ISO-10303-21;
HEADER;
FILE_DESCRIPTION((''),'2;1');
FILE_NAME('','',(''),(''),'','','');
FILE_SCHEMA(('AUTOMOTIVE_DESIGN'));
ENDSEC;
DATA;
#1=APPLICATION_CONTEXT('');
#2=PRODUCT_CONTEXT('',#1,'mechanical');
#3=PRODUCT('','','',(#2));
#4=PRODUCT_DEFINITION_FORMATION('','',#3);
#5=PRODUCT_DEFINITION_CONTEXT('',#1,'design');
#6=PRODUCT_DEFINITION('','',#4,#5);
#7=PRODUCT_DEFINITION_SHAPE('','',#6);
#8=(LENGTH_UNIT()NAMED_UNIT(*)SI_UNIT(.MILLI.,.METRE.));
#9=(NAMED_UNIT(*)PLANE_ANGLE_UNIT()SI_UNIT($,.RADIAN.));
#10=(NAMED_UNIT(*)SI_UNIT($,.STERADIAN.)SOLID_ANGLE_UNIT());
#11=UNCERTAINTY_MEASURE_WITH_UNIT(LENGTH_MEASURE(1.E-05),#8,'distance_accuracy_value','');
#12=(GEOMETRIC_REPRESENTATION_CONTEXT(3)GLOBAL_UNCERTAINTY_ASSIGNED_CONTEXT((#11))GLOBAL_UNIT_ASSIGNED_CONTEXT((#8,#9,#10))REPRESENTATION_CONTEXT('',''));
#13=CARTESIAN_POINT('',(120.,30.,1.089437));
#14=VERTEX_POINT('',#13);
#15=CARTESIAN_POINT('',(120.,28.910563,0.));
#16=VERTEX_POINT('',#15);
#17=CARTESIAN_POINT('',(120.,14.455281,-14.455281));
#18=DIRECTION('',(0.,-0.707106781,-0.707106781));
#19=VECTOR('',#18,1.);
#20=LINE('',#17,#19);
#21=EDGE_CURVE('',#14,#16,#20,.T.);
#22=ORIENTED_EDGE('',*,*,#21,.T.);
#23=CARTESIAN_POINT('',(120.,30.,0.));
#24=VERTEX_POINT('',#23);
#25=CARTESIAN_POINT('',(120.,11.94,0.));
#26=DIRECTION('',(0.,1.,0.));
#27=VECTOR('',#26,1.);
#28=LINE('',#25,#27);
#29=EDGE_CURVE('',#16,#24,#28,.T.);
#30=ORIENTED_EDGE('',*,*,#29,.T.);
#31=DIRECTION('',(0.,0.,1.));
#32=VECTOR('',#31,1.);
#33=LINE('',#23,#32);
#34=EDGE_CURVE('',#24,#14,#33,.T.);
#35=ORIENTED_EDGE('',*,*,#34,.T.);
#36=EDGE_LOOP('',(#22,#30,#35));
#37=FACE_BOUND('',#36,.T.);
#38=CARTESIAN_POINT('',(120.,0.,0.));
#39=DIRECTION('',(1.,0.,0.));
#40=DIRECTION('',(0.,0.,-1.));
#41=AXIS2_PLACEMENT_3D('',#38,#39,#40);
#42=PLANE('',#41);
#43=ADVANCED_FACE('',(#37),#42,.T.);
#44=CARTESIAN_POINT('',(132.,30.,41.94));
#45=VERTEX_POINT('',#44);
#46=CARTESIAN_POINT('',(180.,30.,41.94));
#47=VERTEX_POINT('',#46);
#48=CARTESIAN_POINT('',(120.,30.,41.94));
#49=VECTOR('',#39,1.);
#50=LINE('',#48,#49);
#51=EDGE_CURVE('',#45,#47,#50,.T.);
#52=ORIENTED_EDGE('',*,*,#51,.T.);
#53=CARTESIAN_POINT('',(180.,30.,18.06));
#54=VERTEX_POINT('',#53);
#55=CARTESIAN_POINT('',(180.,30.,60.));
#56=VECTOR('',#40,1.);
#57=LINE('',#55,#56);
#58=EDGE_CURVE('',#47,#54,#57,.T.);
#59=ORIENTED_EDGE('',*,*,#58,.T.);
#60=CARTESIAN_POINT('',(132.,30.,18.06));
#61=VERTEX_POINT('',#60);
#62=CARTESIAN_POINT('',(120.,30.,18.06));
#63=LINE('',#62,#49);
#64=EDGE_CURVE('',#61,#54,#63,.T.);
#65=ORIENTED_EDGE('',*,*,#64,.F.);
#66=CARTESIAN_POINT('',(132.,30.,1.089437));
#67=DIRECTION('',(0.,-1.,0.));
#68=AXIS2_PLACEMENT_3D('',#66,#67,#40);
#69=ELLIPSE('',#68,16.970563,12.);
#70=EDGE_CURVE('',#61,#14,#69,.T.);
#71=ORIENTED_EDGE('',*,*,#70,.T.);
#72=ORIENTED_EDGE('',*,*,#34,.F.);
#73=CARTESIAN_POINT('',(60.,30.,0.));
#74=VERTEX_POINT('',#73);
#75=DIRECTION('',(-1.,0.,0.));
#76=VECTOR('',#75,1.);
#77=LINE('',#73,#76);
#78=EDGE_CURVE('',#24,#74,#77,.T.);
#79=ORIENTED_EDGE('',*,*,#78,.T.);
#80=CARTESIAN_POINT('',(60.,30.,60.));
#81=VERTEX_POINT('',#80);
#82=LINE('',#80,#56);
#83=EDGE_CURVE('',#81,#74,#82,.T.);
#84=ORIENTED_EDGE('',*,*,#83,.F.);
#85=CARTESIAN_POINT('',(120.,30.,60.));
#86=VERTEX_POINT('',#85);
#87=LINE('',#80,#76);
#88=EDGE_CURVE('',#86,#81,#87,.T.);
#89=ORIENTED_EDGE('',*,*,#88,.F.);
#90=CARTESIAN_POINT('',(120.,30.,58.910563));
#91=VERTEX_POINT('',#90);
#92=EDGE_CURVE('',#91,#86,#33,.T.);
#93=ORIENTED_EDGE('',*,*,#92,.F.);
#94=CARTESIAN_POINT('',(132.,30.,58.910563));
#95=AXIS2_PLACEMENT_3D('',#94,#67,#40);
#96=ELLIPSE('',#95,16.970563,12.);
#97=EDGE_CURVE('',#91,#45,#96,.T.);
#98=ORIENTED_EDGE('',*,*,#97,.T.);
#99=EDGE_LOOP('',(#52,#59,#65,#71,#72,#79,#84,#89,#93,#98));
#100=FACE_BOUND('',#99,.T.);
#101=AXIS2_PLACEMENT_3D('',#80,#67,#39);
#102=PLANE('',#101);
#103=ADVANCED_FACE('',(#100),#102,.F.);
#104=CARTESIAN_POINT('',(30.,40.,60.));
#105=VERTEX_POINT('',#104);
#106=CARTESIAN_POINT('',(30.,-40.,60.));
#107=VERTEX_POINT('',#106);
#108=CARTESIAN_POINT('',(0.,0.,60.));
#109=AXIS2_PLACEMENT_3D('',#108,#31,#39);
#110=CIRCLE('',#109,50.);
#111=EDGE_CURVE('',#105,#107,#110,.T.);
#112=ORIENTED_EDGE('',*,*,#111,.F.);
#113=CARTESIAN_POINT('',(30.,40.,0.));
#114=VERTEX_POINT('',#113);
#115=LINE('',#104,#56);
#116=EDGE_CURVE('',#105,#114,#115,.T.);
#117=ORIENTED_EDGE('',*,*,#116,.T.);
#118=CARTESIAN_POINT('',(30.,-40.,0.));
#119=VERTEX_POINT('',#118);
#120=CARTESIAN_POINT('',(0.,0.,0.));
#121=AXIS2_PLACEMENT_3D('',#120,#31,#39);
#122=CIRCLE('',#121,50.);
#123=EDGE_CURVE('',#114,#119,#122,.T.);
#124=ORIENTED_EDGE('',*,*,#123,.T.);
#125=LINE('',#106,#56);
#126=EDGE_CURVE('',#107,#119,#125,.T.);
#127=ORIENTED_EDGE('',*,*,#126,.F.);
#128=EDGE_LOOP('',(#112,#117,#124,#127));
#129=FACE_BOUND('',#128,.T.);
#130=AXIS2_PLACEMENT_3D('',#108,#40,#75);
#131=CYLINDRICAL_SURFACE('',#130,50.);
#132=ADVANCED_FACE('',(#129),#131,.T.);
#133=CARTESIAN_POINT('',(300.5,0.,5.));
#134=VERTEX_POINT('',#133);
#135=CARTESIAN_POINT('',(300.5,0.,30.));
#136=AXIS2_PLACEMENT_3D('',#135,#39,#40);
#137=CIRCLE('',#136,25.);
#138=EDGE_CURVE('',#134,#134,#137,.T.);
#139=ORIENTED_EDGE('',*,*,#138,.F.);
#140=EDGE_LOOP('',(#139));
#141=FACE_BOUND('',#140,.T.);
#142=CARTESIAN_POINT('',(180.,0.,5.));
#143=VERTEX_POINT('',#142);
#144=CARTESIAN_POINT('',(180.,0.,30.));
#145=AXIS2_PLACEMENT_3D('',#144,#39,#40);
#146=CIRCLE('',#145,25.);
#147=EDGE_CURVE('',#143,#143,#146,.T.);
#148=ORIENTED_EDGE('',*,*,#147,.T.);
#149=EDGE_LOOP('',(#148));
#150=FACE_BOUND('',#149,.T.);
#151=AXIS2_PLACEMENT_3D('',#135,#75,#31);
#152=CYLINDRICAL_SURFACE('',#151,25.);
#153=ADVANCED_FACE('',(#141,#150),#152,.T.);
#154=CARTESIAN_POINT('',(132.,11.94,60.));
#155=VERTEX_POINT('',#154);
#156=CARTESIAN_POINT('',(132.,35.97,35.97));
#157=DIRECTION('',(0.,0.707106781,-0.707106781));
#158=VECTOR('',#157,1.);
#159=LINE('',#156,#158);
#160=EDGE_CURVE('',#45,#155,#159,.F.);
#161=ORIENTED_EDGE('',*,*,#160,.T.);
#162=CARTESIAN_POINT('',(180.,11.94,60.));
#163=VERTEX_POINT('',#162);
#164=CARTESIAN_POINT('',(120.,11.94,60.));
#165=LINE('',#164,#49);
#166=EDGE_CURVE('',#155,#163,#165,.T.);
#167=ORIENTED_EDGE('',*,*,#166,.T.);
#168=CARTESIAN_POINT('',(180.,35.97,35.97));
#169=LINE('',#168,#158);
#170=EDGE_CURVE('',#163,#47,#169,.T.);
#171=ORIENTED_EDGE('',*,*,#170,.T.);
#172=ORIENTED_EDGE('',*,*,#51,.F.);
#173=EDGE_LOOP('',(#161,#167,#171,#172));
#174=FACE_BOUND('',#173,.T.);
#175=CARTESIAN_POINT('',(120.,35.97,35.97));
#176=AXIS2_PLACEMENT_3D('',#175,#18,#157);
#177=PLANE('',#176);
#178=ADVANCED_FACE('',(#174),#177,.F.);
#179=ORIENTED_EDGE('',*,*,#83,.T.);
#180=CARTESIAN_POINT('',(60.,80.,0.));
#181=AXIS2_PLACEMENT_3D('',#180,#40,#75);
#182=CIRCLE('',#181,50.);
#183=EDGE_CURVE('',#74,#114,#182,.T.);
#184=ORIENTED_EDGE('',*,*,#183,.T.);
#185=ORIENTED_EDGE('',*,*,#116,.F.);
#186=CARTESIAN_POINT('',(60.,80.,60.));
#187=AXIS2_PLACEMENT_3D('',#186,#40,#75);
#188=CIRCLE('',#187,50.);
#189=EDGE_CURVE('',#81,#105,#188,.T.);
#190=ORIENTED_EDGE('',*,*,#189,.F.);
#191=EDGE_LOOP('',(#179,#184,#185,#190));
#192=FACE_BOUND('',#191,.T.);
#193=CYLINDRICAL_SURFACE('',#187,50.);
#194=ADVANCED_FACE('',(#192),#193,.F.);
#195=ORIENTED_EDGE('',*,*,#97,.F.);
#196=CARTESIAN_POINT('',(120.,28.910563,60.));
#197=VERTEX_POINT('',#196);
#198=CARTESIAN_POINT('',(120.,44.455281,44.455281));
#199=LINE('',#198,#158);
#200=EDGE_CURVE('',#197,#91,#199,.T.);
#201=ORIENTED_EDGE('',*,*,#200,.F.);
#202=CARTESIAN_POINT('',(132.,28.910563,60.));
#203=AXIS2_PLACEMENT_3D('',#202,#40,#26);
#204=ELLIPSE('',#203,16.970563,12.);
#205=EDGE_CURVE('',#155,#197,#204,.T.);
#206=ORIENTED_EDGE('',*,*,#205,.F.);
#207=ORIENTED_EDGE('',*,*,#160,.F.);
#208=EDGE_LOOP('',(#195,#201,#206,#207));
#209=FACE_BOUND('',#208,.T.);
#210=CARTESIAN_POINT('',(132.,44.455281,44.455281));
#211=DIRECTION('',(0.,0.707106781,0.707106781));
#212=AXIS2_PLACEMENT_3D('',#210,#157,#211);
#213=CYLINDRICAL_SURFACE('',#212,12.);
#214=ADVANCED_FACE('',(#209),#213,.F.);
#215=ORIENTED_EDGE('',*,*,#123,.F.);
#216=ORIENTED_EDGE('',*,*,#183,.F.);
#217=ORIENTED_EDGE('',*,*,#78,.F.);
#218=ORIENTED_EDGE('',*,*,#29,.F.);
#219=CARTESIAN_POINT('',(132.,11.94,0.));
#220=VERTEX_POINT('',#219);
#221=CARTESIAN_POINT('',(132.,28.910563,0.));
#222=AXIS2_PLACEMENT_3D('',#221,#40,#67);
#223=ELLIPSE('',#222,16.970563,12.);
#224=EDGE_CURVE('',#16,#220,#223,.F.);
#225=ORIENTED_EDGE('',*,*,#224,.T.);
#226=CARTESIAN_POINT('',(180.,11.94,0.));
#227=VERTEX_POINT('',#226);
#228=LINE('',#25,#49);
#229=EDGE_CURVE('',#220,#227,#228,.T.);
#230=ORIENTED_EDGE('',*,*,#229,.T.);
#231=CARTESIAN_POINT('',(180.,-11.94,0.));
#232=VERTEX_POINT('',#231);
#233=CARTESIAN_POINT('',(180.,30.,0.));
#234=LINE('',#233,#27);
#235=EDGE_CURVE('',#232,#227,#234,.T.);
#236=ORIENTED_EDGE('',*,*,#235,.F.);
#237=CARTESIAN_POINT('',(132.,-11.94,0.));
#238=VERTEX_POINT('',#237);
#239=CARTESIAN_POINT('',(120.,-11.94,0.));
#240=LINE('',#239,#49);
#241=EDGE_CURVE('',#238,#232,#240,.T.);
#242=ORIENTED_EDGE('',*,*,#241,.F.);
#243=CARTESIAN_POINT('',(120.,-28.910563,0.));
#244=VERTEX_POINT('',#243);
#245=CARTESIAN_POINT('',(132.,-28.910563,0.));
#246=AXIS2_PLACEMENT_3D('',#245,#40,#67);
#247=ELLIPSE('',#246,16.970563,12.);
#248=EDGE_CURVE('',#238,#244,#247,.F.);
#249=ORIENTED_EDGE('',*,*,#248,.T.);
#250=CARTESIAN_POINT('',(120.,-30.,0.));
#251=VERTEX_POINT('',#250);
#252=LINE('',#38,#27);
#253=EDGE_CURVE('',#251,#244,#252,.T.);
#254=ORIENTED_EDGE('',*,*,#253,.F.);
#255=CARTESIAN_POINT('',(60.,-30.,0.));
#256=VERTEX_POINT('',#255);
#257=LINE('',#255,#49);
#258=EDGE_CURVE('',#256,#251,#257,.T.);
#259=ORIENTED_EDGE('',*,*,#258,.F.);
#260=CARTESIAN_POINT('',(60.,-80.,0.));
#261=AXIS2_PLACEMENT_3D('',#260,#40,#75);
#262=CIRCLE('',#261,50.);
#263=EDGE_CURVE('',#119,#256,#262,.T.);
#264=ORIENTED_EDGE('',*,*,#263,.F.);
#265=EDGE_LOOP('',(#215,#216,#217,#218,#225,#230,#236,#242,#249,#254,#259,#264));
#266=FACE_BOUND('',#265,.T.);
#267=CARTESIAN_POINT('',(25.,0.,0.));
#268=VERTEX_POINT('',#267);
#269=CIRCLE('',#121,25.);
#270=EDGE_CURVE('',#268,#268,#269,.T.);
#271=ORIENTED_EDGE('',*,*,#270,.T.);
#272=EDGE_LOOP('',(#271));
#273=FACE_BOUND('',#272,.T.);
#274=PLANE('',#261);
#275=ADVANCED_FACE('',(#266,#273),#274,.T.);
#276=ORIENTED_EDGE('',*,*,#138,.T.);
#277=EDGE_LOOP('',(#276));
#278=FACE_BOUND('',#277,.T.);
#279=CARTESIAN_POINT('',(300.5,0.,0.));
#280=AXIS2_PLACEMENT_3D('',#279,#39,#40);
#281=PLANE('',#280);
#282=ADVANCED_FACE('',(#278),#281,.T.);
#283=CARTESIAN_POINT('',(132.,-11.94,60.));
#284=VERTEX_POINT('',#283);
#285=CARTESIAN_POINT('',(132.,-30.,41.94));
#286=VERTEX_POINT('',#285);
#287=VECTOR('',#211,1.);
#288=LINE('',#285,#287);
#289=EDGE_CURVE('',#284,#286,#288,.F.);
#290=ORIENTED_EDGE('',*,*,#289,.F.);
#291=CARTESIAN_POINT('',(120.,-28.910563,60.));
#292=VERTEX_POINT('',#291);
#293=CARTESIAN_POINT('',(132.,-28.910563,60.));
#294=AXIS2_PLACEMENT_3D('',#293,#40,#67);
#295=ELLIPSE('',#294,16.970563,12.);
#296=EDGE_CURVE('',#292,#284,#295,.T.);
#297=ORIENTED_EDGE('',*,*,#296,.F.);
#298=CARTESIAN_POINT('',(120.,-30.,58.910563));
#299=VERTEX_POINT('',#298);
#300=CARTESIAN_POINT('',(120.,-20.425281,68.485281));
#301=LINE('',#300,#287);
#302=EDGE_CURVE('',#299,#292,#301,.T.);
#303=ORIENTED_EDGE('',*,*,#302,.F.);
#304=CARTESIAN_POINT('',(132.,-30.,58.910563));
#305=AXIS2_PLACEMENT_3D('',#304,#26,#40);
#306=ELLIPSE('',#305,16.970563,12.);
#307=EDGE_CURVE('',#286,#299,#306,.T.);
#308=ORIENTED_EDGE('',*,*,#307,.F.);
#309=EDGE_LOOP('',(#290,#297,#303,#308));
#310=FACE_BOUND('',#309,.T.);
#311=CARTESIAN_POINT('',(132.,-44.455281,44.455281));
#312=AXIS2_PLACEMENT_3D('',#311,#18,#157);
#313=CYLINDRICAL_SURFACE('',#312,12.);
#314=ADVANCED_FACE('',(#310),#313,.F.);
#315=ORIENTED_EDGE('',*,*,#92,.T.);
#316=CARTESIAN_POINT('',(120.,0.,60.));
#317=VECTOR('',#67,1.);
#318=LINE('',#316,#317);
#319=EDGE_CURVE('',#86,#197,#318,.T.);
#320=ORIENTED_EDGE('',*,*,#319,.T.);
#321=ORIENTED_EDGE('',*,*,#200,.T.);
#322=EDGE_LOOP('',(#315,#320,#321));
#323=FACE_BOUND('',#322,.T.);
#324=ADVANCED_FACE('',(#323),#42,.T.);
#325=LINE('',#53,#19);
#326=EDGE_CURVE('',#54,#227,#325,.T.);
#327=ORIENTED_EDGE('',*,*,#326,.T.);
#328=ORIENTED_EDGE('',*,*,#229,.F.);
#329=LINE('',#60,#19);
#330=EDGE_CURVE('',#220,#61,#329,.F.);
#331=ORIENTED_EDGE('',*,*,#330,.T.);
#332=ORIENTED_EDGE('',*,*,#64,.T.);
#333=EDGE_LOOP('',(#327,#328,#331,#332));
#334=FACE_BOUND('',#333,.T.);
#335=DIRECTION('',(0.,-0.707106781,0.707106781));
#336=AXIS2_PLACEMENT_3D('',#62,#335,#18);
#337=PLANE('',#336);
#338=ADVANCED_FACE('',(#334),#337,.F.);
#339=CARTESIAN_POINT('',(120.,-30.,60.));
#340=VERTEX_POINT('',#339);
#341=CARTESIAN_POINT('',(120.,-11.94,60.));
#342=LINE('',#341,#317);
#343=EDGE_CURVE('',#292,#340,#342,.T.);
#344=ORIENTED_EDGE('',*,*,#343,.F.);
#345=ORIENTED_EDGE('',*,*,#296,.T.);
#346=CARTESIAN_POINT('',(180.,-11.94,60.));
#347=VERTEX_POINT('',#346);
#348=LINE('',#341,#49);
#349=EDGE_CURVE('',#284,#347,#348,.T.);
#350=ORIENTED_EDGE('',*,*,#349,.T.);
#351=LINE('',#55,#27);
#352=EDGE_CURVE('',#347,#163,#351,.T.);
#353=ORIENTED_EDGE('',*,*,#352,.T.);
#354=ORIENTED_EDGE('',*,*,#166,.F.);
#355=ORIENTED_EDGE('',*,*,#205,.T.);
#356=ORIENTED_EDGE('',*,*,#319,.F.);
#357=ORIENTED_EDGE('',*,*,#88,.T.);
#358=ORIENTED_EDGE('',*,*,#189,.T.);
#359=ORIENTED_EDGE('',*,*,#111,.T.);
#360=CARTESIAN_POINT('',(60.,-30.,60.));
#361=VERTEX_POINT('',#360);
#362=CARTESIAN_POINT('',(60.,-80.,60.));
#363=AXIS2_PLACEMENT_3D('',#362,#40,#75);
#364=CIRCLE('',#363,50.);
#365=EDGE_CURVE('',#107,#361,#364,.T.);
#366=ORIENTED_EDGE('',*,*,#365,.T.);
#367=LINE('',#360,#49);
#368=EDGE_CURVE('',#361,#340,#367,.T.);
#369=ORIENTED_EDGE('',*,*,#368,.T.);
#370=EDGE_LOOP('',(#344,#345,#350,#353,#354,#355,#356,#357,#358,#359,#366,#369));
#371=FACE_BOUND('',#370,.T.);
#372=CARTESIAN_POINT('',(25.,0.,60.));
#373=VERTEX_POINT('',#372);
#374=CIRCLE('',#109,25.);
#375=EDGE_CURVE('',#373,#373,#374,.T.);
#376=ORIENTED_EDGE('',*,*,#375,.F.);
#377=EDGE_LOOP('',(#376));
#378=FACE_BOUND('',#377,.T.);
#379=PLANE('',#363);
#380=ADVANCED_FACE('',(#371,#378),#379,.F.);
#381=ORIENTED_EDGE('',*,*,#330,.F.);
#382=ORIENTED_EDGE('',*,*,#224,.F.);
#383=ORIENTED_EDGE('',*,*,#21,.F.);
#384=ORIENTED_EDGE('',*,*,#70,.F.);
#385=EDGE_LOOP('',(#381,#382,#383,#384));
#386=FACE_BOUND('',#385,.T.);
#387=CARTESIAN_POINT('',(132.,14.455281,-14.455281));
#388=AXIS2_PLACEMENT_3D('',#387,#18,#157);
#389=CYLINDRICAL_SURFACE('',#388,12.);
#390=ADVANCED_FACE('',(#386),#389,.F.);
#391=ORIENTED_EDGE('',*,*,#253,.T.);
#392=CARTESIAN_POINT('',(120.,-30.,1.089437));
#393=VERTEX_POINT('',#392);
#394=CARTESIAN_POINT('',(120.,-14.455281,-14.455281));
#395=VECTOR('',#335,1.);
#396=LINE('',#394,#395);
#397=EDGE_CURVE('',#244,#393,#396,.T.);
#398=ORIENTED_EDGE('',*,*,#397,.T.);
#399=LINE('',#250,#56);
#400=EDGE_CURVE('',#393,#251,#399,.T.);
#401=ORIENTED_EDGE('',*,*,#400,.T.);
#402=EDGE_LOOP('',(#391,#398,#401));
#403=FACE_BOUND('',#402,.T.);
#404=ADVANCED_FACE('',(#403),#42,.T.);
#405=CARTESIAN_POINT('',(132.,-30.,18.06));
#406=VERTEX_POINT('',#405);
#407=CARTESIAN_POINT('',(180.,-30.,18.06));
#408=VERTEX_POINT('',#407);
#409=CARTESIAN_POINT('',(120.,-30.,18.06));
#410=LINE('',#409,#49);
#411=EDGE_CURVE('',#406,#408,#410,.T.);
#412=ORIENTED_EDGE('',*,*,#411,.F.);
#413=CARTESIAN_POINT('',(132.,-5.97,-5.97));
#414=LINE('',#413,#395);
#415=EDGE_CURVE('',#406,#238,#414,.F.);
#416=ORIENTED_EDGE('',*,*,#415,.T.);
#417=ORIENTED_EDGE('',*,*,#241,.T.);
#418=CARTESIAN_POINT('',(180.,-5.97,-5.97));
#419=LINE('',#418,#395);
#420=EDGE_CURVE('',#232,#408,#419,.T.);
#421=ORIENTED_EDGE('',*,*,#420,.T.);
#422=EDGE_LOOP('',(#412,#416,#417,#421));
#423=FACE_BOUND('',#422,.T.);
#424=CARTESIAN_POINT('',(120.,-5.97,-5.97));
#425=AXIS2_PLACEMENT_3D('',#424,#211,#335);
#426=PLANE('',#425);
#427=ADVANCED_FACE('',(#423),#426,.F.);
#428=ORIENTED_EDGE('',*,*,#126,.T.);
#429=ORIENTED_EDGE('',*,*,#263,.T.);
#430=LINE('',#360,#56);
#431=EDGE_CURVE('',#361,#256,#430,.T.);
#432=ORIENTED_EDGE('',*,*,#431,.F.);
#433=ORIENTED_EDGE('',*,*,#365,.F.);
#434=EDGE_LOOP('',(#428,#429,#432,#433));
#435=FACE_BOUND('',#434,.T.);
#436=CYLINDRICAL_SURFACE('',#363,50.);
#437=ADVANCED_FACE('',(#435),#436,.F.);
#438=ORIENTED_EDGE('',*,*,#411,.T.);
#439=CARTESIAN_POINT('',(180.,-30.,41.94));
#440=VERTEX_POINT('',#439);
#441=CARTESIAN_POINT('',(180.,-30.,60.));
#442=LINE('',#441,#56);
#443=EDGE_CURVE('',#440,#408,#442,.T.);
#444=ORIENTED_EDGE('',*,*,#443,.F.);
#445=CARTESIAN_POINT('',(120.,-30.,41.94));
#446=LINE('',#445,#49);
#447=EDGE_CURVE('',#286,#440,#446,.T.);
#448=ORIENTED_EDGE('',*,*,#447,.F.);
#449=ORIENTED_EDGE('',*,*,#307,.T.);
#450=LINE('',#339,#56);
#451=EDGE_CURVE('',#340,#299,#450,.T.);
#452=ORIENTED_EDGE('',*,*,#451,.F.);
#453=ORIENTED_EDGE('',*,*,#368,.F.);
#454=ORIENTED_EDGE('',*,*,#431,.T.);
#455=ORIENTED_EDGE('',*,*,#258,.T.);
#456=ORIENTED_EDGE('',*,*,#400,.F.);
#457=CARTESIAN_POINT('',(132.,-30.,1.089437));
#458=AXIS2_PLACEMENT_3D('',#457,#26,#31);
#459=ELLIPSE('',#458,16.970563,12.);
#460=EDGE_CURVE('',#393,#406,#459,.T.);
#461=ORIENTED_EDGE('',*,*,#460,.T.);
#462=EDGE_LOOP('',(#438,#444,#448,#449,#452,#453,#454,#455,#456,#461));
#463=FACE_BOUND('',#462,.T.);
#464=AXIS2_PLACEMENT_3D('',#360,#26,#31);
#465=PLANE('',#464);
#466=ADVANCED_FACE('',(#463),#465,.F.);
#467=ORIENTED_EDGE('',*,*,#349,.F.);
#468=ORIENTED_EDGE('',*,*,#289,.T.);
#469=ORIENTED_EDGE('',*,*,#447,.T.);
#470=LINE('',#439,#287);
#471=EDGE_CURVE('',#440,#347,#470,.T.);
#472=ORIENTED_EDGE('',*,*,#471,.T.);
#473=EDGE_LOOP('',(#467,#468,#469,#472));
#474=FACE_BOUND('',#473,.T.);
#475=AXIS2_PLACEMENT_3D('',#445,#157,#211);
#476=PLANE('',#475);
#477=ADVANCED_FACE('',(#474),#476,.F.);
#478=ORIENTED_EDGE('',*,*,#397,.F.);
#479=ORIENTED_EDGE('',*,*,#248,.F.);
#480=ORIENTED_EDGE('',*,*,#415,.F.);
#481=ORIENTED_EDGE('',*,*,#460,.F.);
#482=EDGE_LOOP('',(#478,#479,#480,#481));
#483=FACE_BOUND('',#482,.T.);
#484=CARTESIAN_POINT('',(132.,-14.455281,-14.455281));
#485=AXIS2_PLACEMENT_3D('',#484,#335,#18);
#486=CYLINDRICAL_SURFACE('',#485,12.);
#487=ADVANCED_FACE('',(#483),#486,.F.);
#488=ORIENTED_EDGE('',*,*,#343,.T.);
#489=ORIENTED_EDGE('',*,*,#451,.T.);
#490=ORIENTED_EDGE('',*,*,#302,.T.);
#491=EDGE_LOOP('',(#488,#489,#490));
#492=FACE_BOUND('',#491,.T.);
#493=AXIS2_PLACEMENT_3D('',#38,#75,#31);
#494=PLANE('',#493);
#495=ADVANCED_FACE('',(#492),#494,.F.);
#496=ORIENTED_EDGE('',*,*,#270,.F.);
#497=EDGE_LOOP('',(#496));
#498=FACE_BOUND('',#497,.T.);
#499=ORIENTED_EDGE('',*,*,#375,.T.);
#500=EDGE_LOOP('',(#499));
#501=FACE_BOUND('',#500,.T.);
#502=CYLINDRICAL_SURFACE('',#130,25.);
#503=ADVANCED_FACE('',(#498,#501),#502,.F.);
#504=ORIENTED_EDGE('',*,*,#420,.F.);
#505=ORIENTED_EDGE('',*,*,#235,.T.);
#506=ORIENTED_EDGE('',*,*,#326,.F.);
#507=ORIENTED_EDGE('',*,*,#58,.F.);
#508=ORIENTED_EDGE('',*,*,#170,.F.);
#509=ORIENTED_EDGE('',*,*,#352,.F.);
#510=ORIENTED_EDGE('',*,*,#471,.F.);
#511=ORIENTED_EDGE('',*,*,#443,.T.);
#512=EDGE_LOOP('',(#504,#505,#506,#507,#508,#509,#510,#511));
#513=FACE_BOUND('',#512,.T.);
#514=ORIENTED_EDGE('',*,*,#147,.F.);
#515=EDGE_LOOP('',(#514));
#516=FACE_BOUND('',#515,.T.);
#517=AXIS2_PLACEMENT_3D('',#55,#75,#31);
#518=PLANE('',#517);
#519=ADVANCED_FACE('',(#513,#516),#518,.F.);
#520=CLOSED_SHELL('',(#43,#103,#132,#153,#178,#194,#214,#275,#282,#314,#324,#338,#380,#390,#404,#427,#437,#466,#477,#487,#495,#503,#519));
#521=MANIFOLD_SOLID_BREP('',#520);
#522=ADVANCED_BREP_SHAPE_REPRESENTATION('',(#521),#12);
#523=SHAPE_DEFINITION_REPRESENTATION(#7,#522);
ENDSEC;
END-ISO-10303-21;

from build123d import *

# Parameters (mm, degrees)
SKETCH1_R           = 25
BOSS_EXTRUDE1_DEPTH = 60
CUT_EXTRUDE1_DEPTH  = 60
SKETCH2_3_R         = 25
BOSS_EXTRUDE2_DEPTH = 120.5
FILLET1_R           = 12


with BuildPart() as part:
    # Sketch1 → Boss-Extrude1 (new body)
    with BuildSketch(Plane.XY):
        with BuildLine():
            Line((60, 30), (180, 30))
            Line((180, 30), (180, -30))
            Line((180, -30), (60, -30))
            ThreePointArc((60, -30), (44.188611699, -32.565835097), (30, -40))
            ThreePointArc((30, -40), (-50, 0), (30, 40))
            ThreePointArc((30, 40), (44.188611699, 32.565835097), (60, 30))
        make_face()
        Circle(SKETCH1_R, mode=Mode.SUBTRACT)
    extrude(amount=BOSS_EXTRUDE1_DEPTH)

    # Sketch2 → Cut-Extrude1 (cut)
    with BuildSketch(Plane(origin=(180, 0, 0), x_dir=(0, 0, -1), z_dir=(1, 0, 0))):
        Polygon((-18.06, 30), (0, 11.94), (0, 30), align=None)
        Polygon((0, -30), (0, -11.94), (-18.06, -30), align=None)
        Polygon((-60, 11.94), (-41.94, 30), (-60, 30), align=None)
        Polygon((-60, -30), (-41.94, -30), (-60, -11.94), align=None)
    extrude(amount=-CUT_EXTRUDE1_DEPTH, mode=Mode.SUBTRACT)

    # Sketch2<3> → Boss-Extrude2 (add)
    with BuildSketch(Plane(origin=(180, 0, 0), x_dir=(0, 0, -1), z_dir=(1, 0, 0))):
        with Locations((-30, 0)):
            Circle(SKETCH2_3_R)
    extrude(amount=BOSS_EXTRUDE2_DEPTH)

    # Fillet1
    fillet1_edges = [part.edges().sort_by_distance(p)[0] for p in [
        (120, -20.97, 9.03),
        (120, 20.97, 9.03),
        (120, -20.97, 50.97),
        (120, 20.97, 50.97),
    ]]
    fillet(fillet1_edges, radius=FILLET1_R)


solid = part.part
